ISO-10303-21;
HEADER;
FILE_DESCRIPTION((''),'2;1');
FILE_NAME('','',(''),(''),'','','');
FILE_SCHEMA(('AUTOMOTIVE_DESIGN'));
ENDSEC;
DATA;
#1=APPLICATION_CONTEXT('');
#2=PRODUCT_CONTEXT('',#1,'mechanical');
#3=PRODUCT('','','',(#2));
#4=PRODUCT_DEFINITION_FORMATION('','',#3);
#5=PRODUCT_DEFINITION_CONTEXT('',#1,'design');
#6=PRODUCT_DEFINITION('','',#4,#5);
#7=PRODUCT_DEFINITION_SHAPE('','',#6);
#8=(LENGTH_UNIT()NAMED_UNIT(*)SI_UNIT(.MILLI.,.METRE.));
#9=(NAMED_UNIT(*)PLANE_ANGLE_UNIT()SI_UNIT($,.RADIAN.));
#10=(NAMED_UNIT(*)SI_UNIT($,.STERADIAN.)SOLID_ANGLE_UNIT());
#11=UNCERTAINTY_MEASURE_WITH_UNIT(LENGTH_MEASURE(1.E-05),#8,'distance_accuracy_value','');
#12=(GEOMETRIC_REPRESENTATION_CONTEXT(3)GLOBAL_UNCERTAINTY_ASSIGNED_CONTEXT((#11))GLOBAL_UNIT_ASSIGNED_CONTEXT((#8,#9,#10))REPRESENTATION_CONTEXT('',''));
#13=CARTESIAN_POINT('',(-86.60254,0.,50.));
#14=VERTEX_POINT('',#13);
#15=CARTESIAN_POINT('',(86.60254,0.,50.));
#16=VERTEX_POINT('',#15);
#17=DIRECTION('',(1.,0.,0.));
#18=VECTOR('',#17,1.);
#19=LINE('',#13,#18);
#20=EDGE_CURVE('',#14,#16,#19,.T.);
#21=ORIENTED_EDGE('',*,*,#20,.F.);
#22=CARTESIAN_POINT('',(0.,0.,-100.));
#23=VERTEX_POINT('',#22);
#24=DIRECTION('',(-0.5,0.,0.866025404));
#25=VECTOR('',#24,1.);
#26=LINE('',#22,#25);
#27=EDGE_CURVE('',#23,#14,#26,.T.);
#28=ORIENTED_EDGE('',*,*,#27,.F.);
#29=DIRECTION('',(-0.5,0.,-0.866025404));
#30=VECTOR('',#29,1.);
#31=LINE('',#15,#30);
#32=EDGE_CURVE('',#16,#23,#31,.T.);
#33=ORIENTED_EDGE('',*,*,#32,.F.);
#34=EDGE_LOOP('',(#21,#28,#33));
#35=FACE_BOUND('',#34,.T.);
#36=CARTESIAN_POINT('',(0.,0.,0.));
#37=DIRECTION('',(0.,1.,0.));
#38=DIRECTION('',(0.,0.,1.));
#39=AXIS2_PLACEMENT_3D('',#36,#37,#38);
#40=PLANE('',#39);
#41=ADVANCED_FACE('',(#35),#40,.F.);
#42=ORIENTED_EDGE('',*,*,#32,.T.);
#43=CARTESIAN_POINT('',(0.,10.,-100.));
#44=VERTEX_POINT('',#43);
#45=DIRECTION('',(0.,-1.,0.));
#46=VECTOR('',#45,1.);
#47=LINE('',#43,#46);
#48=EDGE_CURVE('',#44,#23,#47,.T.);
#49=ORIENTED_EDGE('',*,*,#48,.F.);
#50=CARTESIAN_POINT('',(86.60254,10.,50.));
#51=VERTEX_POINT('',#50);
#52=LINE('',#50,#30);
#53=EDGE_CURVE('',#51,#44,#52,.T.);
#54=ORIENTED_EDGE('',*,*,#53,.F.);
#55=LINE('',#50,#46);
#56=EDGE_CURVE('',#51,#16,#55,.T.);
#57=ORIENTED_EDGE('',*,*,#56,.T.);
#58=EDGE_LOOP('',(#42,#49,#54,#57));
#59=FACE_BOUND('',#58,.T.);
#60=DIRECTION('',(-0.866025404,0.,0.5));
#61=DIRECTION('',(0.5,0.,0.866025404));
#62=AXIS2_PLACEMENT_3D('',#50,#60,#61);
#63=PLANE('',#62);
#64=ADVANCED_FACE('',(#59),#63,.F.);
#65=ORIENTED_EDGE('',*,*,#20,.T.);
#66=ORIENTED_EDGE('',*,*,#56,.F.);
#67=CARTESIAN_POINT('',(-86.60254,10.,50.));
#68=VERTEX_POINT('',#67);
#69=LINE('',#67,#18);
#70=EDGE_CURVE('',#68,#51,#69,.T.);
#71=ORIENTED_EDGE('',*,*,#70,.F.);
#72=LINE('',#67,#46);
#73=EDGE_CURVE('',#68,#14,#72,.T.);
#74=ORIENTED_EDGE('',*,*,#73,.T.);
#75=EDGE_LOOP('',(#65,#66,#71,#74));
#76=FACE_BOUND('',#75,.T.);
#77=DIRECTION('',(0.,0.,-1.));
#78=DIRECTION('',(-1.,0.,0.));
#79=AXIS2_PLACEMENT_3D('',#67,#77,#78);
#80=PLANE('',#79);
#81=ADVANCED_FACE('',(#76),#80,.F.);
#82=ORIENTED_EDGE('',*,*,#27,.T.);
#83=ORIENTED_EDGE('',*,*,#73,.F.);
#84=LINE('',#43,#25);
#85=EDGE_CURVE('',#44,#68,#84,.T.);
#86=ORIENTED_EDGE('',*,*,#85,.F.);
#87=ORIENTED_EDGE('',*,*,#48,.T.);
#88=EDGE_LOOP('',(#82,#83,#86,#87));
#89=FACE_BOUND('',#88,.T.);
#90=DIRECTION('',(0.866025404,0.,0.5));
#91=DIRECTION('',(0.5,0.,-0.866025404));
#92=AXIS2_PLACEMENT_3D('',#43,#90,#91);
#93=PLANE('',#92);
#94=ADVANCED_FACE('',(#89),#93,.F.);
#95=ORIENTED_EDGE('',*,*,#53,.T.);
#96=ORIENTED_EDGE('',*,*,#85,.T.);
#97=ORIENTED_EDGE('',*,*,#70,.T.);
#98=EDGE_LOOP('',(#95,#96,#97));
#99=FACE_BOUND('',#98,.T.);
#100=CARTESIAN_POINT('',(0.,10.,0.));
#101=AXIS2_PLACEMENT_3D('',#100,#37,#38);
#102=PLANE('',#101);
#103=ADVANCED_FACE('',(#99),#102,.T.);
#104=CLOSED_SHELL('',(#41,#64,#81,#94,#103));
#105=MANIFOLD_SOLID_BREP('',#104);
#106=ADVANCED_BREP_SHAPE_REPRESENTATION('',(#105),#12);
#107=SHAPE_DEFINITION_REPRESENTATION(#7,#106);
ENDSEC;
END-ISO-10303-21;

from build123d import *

# Parameters (mm, degrees)
EXTRUDE_1_DEPTH = 10


with BuildPart() as part:
    # 草图1 → 凸台-拉伸1 (new body)
    with BuildSketch(Plane(origin=(0, 0, 0), x_dir=(1, 0, 0), z_dir=(0, 1, 0))):
        Polygon((0, 100), (-86.602540378, -50), (86.602540378, -50), align=None)
    extrude(amount=EXTRUDE_1_DEPTH)


solid = part.part
